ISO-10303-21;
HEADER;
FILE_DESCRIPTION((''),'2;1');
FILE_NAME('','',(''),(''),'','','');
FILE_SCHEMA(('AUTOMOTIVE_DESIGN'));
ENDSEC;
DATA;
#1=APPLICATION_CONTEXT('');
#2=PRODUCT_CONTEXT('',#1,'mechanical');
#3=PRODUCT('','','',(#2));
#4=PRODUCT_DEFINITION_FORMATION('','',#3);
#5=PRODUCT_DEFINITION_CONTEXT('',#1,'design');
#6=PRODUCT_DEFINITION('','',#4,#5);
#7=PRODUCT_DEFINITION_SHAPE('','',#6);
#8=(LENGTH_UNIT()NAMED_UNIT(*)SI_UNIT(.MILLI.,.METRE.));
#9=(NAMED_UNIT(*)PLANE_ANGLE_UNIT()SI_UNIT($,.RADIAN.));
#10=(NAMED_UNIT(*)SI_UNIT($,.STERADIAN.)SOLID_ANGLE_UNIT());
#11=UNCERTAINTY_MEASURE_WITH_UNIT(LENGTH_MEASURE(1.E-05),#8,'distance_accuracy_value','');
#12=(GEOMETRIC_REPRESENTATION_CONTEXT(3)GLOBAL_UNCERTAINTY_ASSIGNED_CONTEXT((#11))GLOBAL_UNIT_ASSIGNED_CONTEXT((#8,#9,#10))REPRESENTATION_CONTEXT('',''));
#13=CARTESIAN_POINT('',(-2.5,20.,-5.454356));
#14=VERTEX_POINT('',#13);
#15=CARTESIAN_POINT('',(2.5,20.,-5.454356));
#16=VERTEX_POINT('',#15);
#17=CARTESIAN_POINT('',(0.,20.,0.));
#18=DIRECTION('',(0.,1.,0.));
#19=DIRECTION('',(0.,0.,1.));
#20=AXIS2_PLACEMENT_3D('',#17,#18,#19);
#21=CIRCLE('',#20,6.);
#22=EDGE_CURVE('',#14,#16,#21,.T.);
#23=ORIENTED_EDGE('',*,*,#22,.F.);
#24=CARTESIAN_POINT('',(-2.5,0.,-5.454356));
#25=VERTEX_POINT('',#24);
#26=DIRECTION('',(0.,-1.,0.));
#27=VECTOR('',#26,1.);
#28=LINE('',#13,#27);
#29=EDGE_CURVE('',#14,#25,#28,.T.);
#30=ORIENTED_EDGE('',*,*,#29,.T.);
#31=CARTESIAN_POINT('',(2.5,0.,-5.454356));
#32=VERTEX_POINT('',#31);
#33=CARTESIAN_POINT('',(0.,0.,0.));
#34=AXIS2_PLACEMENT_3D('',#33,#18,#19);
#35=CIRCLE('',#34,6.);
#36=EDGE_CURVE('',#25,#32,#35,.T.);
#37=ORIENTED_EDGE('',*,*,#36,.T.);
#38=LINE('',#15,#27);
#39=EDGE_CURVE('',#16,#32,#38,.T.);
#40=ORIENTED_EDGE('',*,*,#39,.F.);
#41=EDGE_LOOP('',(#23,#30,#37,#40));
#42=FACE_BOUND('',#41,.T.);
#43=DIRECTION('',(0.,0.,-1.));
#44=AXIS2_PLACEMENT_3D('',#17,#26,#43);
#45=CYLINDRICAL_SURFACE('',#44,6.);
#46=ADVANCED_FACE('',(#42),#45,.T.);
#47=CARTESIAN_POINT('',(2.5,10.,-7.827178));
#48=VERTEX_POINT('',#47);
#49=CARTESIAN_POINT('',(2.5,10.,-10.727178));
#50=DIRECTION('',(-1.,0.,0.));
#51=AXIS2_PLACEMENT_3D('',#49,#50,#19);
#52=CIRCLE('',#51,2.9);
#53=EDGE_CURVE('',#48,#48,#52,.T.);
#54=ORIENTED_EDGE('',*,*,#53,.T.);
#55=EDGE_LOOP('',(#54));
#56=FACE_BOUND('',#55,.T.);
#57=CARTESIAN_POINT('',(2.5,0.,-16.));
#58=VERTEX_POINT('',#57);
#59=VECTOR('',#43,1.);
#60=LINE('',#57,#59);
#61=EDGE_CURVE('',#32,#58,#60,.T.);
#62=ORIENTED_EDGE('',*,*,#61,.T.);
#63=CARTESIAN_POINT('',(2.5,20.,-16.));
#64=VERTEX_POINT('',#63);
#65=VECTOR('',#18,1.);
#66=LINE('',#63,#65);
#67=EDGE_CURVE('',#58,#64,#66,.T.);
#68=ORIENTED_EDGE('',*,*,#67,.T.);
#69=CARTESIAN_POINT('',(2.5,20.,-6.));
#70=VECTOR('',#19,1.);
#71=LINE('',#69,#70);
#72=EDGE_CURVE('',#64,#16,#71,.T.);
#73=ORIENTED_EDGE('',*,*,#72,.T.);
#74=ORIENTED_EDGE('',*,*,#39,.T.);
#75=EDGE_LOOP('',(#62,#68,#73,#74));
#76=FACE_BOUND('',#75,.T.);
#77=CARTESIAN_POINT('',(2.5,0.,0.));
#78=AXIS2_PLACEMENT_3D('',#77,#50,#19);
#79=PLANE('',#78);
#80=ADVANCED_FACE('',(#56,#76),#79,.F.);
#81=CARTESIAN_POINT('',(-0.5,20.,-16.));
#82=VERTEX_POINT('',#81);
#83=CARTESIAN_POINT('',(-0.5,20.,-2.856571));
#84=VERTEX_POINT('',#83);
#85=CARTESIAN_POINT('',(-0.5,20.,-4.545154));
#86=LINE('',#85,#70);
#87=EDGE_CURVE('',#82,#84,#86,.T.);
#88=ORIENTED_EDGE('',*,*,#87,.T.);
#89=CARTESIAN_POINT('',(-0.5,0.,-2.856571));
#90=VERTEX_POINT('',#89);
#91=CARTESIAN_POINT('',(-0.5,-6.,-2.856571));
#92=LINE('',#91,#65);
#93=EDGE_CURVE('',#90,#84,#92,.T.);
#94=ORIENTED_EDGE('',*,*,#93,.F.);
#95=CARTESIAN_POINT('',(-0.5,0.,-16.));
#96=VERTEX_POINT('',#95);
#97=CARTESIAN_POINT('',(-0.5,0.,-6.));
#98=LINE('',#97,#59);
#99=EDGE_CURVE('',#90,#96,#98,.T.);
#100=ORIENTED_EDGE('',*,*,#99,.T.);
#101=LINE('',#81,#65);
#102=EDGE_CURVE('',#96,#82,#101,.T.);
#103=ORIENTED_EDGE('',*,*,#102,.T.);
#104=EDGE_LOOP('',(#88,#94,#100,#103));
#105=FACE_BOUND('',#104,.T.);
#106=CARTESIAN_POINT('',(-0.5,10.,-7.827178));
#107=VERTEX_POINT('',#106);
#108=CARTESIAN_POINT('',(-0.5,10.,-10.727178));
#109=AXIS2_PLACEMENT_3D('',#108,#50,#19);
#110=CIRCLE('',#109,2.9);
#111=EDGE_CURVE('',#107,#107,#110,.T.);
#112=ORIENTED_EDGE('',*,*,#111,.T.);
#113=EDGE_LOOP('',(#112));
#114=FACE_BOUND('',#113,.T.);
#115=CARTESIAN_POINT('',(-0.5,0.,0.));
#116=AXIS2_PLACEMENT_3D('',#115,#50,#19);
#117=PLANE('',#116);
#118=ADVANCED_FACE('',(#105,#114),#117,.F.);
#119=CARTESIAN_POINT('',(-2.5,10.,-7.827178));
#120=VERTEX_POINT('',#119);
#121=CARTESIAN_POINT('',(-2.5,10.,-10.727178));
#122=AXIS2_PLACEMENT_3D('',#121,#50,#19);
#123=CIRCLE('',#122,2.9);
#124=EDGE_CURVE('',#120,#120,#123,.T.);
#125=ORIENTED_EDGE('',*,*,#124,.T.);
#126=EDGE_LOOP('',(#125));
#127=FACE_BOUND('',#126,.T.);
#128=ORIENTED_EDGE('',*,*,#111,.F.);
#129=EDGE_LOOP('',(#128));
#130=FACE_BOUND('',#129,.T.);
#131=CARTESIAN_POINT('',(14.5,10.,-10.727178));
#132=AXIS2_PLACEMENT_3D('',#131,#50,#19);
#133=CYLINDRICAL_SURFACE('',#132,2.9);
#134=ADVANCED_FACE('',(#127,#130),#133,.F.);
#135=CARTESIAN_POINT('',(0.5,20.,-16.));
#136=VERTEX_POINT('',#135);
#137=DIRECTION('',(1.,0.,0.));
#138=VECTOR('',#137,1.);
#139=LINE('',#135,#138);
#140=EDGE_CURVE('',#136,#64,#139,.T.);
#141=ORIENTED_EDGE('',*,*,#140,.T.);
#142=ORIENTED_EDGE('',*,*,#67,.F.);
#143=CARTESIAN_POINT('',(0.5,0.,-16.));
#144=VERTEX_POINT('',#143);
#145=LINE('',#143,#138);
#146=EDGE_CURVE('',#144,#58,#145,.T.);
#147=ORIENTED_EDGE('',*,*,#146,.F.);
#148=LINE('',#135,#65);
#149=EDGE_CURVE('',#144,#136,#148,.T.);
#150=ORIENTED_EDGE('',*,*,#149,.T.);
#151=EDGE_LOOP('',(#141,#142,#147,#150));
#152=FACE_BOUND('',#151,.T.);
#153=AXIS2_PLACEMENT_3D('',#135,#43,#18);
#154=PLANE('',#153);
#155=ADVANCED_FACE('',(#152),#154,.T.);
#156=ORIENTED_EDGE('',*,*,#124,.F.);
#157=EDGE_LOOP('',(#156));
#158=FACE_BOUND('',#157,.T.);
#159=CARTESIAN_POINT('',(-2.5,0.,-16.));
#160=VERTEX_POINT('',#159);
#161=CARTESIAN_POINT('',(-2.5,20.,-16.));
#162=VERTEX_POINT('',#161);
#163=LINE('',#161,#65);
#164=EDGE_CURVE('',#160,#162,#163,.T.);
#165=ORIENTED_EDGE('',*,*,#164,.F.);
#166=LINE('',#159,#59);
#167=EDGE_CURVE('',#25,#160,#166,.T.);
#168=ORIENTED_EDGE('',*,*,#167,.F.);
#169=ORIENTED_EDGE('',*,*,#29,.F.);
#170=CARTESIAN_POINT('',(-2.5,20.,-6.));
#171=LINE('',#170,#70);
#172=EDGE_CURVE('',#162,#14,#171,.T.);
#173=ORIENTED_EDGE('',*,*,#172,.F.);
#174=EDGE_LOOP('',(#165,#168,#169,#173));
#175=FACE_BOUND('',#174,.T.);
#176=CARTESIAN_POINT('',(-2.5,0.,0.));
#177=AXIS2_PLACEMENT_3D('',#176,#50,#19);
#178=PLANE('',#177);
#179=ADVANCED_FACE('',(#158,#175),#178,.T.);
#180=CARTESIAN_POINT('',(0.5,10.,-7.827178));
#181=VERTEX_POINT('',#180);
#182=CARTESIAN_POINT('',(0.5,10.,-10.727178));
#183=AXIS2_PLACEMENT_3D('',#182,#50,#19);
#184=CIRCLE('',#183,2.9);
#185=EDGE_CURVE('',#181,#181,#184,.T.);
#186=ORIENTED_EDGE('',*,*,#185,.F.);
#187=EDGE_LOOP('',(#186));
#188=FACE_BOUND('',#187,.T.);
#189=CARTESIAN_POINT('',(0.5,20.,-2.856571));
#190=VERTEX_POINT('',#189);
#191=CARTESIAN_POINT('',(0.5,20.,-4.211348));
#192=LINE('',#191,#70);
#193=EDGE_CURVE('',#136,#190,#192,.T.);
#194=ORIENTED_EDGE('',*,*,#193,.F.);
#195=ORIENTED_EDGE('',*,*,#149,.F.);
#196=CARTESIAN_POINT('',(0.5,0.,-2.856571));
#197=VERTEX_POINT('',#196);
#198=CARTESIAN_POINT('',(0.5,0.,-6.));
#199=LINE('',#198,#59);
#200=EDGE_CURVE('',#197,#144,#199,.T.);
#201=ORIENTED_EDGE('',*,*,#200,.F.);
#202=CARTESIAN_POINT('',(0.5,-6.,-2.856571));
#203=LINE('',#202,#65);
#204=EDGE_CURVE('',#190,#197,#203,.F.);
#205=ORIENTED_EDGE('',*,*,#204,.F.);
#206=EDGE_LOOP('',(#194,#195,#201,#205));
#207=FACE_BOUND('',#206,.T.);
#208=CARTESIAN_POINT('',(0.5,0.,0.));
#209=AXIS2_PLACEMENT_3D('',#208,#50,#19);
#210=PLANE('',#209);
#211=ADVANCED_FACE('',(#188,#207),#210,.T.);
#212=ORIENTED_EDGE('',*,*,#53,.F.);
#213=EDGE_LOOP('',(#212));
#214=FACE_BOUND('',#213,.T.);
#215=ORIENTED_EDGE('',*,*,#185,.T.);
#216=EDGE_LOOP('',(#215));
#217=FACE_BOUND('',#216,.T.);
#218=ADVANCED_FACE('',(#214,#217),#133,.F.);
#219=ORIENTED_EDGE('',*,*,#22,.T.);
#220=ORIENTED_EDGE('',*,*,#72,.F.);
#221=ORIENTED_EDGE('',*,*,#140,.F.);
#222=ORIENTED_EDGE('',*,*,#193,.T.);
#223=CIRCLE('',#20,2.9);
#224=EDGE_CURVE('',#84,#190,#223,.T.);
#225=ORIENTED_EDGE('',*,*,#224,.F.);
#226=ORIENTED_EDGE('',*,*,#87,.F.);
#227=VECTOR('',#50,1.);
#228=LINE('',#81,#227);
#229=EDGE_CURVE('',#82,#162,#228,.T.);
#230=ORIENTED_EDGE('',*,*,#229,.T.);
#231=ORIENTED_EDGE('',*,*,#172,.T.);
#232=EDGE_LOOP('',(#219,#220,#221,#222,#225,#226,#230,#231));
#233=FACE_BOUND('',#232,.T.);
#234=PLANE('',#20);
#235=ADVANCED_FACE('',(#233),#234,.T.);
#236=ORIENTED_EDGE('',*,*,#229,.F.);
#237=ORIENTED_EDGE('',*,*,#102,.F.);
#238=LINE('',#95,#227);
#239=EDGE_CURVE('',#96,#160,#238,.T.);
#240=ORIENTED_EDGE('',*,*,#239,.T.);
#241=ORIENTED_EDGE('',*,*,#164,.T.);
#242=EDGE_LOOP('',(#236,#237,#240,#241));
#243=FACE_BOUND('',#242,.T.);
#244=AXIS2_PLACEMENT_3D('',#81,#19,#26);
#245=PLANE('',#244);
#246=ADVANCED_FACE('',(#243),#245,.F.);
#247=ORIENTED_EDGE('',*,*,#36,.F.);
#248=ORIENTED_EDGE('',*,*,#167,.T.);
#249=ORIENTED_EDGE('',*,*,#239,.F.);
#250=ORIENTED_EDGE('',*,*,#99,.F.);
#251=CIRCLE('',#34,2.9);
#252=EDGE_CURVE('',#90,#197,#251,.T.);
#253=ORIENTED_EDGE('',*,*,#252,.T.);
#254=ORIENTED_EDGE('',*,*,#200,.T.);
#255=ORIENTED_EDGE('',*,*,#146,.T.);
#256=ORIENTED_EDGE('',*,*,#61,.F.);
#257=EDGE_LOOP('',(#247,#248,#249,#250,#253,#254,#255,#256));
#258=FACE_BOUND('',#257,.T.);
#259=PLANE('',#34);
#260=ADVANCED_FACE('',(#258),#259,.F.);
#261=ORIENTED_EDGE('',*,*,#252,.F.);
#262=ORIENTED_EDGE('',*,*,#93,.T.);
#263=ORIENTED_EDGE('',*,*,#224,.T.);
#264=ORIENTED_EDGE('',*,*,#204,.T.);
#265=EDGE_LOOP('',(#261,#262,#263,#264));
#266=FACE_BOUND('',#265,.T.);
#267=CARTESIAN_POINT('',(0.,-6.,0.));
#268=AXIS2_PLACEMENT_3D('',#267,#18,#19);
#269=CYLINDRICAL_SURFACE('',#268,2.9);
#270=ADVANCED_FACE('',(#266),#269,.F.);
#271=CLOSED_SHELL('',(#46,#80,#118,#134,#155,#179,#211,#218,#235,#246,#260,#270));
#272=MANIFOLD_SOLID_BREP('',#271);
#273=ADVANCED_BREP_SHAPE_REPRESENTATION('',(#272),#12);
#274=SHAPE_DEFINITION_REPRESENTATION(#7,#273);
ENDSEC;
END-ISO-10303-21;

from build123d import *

# Parameters (mm, degrees)
SKETCH1_R           = 6
BOSS_EXTRUDE1_DEPTH = 20
SKETCH3_R           = 2.9
CUT_EXTRUDE1_DEPTH  = 26
BOSS_EXTRUDE2_DEPTH = 2
BOSS_EXTRUDE3_DEPTH = 2
SKETCH6_W           = 1
SKETCH6_H           = 20
CUT_EXTRUDE2_DEPTH  = 17
SKETCH7_R           = 2.9
CUT_EXTRUDE3_DEPTH  = 17


with BuildPart() as part:
    # Sketch1 → Boss-Extrude1 (new body)
    with BuildSketch(Plane(origin=(0, 0, 0), x_dir=(1, 0, 0), z_dir=(0, 1, 0))):
        with Locations(Location((0, 0, 0), (0, 0, 270))):
            Circle(SKETCH1_R)
    extrude(amount=BOSS_EXTRUDE1_DEPTH)

    # Sketch3 → Cut-Extrude1 (cut)
    with BuildSketch(Plane(origin=(0, 20, 0), x_dir=(1, 0, 0), z_dir=(0, 1, 0))):
        with Locations(Location((0, 0, 0), (0, 0, 270))):
            Circle(SKETCH3_R)
    extrude(amount=-CUT_EXTRUDE1_DEPTH, mode=Mode.SUBTRACT)

    # Sketch4 → Boss-Extrude2 (add)
    with BuildSketch(Plane(origin=(-2.5, 0, 0), x_dir=(0, 0, -1), z_dir=(1, 0, 0))):
        Polygon((6, 20), (16, 20), (16, 0), (6, 0), (4.545153511, 0), (4.545153511, 20), align=None)
    extrude(amount=BOSS_EXTRUDE2_DEPTH)

    # Sketch5 → Boss-Extrude3 (add)
    with BuildSketch(Plane(origin=(2.5, 0, 0), x_dir=(0, 0, -1), z_dir=(1, 0, 0))):
        Polygon((6, 20), (16, 20), (16, 0), (6, 0), (4.211348031, 0), (4.211348031, 20), align=None)
    extrude(amount=-BOSS_EXTRUDE3_DEPTH)

    # Sketch6 → Cut-Extrude2 (cut)
    with BuildSketch(Plane(origin=(0, 0, -16), x_dir=(-1, 0, 0), z_dir=(0, 0, -1))):
        with Locations((0, 10)):
            Rectangle(SKETCH6_W, SKETCH6_H)
    extrude(amount=-CUT_EXTRUDE2_DEPTH, mode=Mode.SUBTRACT)

    # Sketch7 → Cut-Extrude3 (cut)
    with BuildSketch(Plane.ZY.offset(2.5)):
        with Locations((-10.727178029, 10)):
            Circle(SKETCH7_R)
    extrude(amount=-CUT_EXTRUDE3_DEPTH, mode=Mode.SUBTRACT)


solid = part.part
